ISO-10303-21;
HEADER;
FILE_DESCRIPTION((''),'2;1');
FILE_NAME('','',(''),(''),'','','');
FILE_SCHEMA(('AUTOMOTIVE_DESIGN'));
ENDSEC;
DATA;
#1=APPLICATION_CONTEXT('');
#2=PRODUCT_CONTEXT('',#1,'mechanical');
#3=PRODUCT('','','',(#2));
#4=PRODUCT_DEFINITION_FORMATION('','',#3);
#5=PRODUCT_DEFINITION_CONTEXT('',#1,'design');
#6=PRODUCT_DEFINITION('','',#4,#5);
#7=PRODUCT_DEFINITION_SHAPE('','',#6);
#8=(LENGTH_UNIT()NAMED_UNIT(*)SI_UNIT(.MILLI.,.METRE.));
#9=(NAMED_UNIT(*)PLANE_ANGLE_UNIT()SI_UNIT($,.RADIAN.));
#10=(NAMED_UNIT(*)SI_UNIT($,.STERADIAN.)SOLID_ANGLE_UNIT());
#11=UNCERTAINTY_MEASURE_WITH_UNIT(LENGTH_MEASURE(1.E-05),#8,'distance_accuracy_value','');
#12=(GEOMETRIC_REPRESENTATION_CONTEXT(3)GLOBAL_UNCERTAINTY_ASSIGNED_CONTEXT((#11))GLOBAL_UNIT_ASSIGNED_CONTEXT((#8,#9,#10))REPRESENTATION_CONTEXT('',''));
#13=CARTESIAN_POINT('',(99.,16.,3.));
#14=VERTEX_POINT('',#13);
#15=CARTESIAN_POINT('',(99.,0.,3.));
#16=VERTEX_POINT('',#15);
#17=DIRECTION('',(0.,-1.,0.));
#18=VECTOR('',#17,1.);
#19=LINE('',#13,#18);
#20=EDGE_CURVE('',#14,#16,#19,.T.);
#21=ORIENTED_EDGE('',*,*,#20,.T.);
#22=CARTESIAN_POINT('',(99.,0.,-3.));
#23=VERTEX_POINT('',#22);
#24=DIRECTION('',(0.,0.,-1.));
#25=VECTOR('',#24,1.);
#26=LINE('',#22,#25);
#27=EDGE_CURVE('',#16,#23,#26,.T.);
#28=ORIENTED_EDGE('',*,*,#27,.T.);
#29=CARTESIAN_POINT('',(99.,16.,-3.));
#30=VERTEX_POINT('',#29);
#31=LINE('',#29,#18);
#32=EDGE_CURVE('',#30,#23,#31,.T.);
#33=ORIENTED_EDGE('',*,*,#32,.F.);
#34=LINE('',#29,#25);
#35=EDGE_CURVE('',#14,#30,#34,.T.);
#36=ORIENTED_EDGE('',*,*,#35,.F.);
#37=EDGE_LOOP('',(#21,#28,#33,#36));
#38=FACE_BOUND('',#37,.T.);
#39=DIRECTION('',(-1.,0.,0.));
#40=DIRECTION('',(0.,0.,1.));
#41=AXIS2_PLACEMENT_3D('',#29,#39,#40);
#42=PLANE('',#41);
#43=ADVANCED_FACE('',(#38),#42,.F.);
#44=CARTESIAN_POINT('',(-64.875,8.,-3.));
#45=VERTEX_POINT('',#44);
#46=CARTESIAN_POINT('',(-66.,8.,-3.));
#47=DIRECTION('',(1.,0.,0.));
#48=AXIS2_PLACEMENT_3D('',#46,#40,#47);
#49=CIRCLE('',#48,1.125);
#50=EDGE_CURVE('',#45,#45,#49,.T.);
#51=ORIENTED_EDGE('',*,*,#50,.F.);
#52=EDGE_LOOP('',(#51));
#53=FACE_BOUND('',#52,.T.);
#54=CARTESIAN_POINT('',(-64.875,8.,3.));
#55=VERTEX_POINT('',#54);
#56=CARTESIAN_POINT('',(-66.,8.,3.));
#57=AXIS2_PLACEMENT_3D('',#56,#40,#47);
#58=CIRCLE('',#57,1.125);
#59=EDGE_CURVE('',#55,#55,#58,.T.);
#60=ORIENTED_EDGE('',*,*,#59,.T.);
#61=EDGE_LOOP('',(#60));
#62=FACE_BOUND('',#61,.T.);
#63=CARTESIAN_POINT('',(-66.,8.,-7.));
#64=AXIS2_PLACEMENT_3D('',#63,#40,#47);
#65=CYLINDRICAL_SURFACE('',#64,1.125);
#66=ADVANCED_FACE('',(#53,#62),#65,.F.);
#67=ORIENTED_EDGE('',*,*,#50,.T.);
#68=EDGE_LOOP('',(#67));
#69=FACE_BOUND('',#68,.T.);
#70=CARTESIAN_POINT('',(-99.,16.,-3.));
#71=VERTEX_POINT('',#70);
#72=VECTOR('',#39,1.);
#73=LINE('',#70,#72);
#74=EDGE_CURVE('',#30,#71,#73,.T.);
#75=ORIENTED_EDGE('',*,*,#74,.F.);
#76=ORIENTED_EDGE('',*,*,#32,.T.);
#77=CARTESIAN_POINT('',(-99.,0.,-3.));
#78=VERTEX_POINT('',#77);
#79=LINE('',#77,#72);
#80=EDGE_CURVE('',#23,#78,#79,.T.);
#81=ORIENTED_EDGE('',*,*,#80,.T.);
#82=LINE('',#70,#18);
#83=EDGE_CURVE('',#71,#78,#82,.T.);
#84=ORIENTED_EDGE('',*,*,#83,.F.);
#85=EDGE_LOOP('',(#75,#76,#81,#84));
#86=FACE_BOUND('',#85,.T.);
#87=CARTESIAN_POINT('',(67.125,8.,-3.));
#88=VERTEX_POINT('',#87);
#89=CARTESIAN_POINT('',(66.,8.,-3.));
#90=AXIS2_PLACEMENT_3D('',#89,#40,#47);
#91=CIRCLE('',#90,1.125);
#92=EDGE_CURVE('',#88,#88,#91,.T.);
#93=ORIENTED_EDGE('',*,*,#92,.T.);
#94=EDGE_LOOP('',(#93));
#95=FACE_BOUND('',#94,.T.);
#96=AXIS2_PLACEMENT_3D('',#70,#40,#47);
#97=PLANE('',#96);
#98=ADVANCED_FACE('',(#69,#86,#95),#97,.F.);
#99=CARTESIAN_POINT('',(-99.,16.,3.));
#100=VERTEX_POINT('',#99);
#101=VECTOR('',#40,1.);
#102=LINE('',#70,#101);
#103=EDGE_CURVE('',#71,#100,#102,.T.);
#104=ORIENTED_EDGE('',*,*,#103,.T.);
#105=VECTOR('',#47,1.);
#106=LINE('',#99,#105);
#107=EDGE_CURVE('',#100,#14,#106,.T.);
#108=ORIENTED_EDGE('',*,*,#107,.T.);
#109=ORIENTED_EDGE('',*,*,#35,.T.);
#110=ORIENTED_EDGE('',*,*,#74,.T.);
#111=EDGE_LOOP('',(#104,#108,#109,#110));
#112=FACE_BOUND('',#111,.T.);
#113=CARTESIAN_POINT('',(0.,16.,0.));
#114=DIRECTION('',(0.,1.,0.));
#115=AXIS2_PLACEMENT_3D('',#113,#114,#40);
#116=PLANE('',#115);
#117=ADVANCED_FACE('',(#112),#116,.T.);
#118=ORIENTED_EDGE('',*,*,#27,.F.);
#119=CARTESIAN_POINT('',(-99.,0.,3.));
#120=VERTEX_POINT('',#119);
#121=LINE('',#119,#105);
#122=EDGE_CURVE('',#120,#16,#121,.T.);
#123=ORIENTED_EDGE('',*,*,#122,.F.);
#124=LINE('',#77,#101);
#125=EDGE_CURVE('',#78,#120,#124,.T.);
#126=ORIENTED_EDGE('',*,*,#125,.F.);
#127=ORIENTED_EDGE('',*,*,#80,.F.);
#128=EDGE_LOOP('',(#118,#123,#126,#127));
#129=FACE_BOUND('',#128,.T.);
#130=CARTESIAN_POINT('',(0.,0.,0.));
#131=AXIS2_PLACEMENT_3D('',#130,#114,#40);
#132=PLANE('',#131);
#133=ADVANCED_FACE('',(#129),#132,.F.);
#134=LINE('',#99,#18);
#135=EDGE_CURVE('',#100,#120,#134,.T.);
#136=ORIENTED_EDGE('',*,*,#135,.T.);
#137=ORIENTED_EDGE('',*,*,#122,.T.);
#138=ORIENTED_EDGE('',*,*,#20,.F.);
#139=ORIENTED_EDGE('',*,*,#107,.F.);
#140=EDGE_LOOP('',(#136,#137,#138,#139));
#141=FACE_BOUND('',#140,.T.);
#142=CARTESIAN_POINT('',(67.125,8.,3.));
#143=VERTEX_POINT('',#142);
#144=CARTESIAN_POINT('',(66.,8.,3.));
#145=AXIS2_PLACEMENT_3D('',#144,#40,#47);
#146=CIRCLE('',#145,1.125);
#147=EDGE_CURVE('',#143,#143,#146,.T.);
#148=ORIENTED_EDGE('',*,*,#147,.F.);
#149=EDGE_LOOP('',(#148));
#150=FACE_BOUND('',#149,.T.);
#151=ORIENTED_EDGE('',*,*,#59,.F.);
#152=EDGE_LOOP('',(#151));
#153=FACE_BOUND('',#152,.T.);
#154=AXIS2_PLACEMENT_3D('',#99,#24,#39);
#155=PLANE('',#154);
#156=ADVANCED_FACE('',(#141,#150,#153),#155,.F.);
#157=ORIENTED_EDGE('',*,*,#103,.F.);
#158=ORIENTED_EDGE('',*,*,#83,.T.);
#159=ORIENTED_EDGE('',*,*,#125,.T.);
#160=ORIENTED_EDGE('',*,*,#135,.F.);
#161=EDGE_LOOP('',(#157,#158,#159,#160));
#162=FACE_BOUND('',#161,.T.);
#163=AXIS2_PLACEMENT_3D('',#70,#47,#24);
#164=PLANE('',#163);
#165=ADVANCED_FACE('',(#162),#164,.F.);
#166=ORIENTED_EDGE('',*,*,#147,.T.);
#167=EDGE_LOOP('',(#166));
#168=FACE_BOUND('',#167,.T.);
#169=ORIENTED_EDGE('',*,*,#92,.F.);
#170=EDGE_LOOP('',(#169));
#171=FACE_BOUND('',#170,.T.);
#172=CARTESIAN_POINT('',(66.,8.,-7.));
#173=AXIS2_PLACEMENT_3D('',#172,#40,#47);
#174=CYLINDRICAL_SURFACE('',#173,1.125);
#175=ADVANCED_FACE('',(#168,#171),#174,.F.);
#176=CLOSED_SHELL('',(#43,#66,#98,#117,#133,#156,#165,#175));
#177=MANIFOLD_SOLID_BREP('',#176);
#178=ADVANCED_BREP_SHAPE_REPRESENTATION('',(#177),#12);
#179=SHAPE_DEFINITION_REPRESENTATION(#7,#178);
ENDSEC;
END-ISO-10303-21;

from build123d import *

# Parameters (mm, degrees)
SKETCH1_W           = 198
SKETCH1_H           = 6
BOSS_EXTRUDE1_DEPTH = 16
SKETCH2_R           = 1.125
CUT_EXTRUDE1_DEPTH  = 10


with BuildPart() as part:
    # Sketch1 → Boss-Extrude1 (new body)
    with BuildSketch(Plane(origin=(0, 0, 0), x_dir=(1, 0, 0), z_dir=(0, 1, 0))):
        Rectangle(SKETCH1_W, SKETCH1_H)
    extrude(amount=BOSS_EXTRUDE1_DEPTH)

    # Sketch2 → Cut-Extrude1 (cut)
    with BuildSketch(Plane.XY.offset(3)):
        with Locations((-66, 8)):
            Circle(SKETCH2_R)
        with Locations((66, 8)):
            Circle(SKETCH2_R)
    extrude(amount=-CUT_EXTRUDE1_DEPTH, mode=Mode.SUBTRACT)


solid = part.part
